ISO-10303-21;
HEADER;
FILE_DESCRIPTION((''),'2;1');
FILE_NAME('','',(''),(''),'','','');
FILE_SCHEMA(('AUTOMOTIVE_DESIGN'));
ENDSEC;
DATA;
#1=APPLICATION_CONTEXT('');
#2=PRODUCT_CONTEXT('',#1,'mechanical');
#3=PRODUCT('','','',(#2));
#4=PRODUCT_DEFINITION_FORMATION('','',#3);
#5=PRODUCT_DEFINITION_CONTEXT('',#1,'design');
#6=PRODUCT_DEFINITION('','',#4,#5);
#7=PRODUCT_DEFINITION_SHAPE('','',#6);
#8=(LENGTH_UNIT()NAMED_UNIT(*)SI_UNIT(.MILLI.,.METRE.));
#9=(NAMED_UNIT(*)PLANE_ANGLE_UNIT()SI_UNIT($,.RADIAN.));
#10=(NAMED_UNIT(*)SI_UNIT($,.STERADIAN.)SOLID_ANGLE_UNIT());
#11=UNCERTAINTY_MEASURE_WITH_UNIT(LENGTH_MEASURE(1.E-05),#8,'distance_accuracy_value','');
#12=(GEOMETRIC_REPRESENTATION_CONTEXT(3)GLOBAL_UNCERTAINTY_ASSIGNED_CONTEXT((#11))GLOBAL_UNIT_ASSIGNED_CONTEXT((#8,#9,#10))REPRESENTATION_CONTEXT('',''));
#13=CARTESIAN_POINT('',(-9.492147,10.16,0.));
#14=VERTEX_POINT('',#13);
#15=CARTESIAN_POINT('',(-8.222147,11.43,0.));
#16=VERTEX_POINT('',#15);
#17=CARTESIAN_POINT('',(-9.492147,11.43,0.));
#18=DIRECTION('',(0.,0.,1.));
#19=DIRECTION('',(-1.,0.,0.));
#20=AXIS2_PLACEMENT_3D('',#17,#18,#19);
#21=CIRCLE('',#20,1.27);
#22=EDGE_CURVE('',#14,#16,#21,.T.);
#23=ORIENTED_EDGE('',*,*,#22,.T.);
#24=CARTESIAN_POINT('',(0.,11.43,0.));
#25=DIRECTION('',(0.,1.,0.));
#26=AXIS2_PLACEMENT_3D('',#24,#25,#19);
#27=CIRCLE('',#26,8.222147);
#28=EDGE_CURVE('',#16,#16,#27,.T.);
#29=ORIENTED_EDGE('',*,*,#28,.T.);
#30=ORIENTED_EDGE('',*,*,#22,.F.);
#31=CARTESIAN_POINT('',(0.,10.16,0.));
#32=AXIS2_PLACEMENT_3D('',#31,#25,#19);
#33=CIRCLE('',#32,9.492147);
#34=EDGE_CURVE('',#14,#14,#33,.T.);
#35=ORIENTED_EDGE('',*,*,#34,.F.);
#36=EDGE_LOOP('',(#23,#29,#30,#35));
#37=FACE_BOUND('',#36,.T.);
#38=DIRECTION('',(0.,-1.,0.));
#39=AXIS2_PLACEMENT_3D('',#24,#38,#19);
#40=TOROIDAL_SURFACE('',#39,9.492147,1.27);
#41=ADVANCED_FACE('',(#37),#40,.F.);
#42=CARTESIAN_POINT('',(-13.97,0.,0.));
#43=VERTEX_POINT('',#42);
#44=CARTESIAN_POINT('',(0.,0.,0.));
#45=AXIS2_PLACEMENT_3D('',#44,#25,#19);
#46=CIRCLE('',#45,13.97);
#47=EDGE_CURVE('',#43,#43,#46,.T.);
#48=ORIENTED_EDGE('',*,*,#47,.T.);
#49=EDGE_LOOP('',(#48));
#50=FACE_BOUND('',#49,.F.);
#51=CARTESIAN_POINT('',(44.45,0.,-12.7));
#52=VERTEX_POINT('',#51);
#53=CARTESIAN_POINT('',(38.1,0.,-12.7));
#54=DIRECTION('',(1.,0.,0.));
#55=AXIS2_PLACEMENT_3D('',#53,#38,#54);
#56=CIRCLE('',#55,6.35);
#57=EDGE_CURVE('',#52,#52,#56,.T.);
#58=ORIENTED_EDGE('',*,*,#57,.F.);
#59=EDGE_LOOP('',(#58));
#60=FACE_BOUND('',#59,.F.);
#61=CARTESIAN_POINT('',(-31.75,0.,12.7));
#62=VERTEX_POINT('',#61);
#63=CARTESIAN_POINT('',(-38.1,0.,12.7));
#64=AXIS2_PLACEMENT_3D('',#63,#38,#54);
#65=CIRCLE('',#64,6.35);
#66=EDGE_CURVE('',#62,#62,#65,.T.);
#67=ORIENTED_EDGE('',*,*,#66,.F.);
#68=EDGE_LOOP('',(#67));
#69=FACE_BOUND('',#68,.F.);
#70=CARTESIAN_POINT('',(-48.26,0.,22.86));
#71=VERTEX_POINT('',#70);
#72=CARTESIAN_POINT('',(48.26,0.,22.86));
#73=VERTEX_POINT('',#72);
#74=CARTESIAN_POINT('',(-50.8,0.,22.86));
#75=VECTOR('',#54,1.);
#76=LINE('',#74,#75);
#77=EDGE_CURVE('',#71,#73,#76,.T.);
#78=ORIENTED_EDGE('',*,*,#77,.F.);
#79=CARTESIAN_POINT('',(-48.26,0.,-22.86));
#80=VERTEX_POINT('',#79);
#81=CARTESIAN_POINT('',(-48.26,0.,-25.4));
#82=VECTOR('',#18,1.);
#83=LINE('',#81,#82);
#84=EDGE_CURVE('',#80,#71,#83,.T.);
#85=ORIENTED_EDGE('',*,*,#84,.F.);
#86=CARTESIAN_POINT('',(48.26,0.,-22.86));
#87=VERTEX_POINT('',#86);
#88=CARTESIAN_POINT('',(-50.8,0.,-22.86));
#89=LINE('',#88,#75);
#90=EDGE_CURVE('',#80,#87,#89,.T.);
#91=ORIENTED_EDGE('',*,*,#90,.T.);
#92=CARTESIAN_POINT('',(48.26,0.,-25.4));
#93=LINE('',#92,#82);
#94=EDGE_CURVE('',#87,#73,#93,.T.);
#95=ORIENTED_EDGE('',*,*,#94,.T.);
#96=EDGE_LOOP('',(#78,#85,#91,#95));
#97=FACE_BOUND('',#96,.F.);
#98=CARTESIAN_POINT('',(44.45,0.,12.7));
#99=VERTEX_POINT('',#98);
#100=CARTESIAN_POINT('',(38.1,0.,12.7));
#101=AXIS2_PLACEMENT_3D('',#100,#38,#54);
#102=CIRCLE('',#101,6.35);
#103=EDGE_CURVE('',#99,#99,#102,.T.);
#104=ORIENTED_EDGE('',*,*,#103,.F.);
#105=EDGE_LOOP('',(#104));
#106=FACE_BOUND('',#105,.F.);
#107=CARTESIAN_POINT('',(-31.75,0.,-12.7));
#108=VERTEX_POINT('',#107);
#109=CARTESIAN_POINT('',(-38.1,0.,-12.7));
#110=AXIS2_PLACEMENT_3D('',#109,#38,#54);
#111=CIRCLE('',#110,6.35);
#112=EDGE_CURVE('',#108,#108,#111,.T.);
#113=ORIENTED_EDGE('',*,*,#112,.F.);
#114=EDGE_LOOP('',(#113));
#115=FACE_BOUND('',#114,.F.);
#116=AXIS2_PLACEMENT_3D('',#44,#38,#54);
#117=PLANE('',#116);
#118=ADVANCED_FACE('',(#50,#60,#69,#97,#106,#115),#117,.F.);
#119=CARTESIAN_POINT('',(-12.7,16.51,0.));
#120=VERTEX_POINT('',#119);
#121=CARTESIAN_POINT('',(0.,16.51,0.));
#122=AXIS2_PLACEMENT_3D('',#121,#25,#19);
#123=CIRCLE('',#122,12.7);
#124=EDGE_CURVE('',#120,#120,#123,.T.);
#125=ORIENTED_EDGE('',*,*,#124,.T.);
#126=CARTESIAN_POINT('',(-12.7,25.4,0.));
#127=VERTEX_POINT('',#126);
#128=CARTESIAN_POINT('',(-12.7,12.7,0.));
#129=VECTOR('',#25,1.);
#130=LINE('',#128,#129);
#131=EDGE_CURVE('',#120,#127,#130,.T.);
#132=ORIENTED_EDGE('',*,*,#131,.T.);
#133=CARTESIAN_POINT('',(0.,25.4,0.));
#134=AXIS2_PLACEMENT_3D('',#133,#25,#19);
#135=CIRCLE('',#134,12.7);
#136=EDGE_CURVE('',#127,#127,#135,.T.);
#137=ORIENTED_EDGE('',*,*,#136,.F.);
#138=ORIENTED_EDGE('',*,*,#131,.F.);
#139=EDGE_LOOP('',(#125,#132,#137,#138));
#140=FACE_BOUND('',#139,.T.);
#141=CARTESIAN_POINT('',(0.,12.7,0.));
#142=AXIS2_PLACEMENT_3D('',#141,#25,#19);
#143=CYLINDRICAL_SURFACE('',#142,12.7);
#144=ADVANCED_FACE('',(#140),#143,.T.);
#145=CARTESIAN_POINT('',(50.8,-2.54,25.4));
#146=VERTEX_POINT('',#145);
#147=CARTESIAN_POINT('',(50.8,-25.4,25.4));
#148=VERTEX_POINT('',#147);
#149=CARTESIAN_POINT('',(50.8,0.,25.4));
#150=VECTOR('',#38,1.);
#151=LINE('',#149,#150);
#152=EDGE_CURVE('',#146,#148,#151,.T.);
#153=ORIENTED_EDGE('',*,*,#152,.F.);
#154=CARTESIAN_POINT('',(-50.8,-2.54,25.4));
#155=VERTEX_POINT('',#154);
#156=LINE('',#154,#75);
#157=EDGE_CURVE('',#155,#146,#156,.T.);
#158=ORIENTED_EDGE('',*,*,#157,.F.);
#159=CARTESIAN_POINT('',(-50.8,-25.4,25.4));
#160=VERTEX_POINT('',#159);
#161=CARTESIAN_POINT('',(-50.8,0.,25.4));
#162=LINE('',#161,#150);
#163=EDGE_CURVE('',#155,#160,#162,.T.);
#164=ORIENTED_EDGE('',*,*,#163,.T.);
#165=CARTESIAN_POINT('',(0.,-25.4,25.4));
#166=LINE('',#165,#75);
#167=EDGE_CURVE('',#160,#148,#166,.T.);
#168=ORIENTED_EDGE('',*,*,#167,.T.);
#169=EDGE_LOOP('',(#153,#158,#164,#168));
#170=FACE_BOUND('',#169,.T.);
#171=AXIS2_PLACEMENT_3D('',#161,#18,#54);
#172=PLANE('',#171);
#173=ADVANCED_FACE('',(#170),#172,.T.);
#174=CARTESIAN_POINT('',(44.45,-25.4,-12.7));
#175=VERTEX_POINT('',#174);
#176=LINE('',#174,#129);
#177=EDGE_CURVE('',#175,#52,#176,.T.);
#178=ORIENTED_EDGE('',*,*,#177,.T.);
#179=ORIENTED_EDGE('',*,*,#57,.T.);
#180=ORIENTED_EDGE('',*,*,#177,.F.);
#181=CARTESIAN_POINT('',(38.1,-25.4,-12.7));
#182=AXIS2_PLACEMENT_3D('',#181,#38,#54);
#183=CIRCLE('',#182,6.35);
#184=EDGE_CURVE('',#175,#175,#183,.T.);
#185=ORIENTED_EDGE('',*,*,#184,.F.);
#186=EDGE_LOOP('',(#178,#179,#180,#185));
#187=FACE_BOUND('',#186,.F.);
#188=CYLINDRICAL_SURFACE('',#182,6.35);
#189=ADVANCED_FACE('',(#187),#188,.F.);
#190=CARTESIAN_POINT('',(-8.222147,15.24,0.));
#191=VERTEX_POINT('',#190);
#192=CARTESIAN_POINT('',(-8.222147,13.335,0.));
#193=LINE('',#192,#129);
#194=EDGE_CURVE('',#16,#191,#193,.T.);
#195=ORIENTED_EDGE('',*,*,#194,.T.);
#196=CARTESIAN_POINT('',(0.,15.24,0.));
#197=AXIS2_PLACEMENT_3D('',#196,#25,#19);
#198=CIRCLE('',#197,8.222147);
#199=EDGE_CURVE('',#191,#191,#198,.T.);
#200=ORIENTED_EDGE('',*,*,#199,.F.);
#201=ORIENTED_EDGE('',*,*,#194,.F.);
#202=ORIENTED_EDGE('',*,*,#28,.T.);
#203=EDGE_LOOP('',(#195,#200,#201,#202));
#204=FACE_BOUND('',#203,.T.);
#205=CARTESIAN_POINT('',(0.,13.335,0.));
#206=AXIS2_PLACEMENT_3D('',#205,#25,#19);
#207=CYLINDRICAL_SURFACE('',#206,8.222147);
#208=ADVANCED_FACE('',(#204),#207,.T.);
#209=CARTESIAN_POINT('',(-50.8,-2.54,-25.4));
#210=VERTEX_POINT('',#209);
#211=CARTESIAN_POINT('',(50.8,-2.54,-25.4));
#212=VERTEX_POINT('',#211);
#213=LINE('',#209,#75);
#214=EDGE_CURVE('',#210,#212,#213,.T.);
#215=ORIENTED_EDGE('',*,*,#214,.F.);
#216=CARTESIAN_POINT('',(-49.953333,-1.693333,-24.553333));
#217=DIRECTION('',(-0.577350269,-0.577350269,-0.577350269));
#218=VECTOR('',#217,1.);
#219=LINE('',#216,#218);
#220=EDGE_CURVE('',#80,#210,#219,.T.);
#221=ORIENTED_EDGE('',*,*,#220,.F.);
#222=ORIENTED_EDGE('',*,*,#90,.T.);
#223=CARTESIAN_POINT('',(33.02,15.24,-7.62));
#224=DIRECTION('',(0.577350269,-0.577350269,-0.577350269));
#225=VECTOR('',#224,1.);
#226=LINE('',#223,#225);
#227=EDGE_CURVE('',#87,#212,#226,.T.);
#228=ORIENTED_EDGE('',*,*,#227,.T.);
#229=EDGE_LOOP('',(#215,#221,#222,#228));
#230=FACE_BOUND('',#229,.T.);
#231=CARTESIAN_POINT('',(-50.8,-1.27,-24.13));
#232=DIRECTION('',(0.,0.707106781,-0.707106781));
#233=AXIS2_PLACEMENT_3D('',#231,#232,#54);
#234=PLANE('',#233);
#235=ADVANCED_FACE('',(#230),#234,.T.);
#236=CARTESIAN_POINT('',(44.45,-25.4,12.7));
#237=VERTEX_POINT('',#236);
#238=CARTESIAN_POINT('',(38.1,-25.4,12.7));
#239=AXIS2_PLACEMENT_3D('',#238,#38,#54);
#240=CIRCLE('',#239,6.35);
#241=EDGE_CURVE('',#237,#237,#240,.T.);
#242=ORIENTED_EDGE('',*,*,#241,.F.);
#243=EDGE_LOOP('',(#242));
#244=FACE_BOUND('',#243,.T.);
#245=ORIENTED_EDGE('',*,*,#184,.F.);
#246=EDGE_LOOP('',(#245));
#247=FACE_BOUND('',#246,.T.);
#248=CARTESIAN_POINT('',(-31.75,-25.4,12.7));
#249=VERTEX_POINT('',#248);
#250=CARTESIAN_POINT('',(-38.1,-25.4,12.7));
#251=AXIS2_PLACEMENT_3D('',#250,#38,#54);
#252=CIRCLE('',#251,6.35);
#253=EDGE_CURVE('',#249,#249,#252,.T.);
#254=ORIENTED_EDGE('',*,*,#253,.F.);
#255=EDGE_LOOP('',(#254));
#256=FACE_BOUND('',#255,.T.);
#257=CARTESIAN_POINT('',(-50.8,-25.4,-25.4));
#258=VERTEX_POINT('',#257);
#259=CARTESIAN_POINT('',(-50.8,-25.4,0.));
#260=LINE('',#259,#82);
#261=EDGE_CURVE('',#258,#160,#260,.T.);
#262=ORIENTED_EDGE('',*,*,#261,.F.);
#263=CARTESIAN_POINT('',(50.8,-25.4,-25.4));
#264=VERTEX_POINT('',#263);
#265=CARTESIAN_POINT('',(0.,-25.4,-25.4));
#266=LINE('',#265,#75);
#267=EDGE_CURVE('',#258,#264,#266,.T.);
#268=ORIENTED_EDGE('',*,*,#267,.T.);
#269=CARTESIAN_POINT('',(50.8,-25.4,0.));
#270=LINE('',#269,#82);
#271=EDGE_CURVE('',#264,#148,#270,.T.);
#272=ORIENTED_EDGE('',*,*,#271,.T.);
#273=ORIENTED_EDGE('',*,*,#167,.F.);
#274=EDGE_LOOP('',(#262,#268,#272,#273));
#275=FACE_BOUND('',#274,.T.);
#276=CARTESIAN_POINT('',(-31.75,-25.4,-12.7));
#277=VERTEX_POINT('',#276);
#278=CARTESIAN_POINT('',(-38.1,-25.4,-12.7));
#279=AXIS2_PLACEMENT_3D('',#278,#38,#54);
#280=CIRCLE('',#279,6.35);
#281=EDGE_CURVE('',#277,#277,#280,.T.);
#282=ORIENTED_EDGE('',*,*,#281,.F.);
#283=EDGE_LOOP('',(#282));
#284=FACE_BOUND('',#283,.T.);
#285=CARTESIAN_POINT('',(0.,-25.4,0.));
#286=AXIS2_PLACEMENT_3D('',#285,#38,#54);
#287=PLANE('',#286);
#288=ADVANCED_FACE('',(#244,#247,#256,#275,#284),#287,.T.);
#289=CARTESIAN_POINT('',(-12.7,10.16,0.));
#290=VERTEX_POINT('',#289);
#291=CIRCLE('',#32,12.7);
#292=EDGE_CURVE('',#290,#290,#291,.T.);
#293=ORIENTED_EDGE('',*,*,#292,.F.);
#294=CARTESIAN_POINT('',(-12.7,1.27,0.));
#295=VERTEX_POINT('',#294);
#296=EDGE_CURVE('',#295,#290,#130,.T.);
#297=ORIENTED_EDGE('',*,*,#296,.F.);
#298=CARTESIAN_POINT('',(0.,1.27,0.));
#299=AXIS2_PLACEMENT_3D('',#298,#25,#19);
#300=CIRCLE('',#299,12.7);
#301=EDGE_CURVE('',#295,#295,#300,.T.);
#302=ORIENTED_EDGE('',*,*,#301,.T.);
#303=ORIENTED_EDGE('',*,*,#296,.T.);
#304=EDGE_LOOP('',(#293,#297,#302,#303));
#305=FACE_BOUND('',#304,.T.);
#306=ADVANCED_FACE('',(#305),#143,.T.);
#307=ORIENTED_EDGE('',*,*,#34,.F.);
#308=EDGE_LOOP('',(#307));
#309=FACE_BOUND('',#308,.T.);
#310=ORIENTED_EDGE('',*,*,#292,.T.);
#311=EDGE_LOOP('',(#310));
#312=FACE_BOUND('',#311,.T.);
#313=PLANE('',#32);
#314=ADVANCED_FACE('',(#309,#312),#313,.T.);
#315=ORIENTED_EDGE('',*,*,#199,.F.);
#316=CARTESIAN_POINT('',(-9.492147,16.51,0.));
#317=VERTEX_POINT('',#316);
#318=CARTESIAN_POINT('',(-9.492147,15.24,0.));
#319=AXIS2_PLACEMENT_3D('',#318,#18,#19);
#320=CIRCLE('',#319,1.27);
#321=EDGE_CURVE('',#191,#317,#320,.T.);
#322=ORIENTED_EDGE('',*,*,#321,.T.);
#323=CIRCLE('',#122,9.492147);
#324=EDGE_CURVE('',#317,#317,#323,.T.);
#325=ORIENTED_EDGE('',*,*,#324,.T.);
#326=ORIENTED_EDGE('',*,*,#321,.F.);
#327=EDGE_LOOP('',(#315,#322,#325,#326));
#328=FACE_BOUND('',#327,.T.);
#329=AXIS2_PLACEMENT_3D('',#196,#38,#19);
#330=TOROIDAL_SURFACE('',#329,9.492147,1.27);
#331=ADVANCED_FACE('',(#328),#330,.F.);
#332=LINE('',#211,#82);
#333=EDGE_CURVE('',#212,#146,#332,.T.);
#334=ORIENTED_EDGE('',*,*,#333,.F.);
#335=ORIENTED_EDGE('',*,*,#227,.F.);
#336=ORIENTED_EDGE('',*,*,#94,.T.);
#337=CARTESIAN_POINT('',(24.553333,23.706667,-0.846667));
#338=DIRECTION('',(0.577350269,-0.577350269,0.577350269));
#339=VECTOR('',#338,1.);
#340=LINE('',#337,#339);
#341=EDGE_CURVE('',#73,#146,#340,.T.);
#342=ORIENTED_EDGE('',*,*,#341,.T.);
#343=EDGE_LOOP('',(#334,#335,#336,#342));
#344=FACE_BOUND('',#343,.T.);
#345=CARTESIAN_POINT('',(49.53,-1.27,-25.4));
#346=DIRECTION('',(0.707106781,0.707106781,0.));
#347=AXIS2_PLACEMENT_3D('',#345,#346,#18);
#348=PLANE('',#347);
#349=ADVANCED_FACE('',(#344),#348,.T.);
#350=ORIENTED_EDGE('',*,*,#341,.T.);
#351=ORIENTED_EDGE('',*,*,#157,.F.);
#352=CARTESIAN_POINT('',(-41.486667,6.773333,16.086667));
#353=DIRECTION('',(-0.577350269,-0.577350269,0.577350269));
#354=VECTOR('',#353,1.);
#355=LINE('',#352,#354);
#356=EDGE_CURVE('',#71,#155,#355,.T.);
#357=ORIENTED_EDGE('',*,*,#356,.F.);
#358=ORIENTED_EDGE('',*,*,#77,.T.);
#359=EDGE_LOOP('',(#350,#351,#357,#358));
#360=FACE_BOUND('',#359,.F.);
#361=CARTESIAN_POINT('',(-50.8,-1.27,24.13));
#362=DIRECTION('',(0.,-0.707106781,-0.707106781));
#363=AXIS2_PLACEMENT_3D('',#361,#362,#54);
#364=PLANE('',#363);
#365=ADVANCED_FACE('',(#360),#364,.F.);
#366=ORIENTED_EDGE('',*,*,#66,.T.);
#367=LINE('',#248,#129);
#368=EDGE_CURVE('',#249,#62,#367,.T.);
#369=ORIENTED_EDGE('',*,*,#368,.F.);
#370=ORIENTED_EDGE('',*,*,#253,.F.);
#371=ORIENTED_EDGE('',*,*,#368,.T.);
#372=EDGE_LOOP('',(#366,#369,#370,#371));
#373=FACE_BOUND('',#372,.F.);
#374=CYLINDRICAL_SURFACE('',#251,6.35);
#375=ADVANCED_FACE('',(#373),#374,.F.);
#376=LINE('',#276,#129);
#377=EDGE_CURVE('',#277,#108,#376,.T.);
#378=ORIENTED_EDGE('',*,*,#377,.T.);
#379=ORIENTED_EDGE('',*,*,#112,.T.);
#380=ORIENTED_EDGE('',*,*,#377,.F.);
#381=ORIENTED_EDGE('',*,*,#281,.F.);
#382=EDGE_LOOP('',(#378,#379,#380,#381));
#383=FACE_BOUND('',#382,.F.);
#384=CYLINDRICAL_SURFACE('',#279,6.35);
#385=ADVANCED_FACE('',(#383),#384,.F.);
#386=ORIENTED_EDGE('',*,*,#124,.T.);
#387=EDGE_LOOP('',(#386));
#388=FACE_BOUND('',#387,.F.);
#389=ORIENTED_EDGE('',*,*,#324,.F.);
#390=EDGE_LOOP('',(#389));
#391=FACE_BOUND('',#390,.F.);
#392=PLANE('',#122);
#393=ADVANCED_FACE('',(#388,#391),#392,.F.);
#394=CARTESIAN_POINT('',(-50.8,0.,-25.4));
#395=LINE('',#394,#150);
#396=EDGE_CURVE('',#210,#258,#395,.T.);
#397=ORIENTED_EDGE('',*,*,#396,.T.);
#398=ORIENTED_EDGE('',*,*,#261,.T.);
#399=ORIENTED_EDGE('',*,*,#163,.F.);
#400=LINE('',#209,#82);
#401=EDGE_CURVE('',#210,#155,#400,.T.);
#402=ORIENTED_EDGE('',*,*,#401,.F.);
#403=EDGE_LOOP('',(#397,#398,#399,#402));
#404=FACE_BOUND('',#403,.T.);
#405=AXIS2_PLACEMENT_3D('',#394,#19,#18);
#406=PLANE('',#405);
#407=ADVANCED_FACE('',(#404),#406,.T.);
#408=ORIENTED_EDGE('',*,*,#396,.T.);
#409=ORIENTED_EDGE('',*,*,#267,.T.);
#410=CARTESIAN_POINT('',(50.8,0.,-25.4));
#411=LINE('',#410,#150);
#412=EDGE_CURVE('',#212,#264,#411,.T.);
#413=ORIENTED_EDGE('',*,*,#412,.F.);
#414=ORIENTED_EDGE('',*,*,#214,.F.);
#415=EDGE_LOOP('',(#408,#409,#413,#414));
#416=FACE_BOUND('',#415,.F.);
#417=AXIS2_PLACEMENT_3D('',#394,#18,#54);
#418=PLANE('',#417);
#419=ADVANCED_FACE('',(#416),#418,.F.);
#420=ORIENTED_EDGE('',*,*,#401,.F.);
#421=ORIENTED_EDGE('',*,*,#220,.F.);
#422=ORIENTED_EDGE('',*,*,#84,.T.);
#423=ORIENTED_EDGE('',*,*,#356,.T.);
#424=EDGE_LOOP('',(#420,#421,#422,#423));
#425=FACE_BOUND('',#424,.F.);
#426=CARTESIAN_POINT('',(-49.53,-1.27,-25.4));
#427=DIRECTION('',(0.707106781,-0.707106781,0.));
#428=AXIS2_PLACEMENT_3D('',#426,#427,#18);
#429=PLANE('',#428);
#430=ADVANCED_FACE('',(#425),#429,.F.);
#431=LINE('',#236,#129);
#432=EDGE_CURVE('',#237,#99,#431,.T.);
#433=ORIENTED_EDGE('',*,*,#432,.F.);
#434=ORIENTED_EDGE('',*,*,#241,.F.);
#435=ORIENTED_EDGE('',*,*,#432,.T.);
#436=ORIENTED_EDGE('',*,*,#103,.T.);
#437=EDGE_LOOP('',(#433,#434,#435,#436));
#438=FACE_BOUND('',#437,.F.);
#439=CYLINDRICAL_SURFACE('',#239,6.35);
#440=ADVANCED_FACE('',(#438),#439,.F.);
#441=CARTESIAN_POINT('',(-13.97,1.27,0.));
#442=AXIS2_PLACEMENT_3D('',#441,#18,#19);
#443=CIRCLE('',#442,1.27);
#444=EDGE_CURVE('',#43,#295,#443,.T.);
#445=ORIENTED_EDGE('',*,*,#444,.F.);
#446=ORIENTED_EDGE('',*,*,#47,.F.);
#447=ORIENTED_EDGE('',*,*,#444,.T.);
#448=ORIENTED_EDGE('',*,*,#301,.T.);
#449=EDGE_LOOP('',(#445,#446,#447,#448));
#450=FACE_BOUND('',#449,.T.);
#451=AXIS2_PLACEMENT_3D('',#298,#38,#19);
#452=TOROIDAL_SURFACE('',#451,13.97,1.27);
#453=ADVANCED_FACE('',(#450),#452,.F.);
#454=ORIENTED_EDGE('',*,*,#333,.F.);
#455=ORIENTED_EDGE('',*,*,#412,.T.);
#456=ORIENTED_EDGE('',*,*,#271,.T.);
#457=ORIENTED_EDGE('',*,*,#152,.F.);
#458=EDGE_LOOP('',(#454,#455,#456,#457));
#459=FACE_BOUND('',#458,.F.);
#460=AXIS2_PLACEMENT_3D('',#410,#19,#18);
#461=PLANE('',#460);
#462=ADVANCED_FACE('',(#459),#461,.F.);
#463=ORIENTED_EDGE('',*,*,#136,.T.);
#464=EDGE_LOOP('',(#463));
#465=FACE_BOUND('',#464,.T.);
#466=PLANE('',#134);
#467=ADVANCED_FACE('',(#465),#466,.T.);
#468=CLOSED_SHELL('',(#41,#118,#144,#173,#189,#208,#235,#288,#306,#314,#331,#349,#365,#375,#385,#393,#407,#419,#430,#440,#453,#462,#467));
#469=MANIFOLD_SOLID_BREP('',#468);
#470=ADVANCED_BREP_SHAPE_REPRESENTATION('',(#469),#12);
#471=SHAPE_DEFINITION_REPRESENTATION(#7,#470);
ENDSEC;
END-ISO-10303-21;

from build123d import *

# Parameters (mm, degrees)
F0_W     = 101.6
F0_H     = 50.8
F1_DEPTH = 25.4
F2_R     = 6.35
F3_DEPTH = 25.401
F4_W     = 12.7
F4_H     = 25.4
F6_W     = 10.16
F6_H     = 6.35
F8_R     = 1.27
F9_SIZE  = 2.54


with BuildPart() as f1:
    # F0 (on Front) → F1 (new body)
    with BuildSketch(Plane.XZ):
        Rectangle(F0_W, F0_H)
    extrude(amount=F1_DEPTH)

    # F2 (on face) → F3 (cut, through all)
    with BuildSketch(Plane.XZ.offset(25.4)):
        with Locations((-38.1, 12.7)):
            Circle(F2_R)
        with Locations((-38.1, -12.7)):
            Circle(F2_R)
        with Locations((38.1, -12.7)):
            Circle(F2_R)
        with Locations((38.1, 12.7)):
            Circle(F2_R)
    extrude(amount=-F3_DEPTH, mode=Mode.SUBTRACT)

    # F4 (on Top) → F5 (revolve)
    with BuildSketch(Plane.XY):
        with Locations((-6.35, 12.7)):
            Rectangle(F4_W, F4_H)
    revolve(axis=Axis((0, 12.7, 0), (0, 1, 0)))

    # F6 (on Top) → F7 (revolve, cut)
    with BuildSketch(Plane.XY):
        with Locations((-13.302147, 13.335)):
            Rectangle(F6_W, F6_H)
    revolve(axis=Axis((0, 12.941601, 0), (0, 1, 0)), mode=Mode.SUBTRACT)

    # F8
    f8_edges = [f1.edges().sort_by_distance(p)[0] for p in [
        (12.7, 0, 0),
        (8.222147, 10.16, 0),
        (8.222147, 16.51, 0),
    ]]
    fillet(f8_edges, radius=F8_R)

    # F9
    f9_edges = [f1.edges().sort_by_distance(p)[0] for p in [
        (0, 0, -25.4),
        (-50.8, 0, 0),
        (0, 0, 25.4),
        (50.8, 0, 0),
    ]]
    chamfer(f9_edges, length=F9_SIZE)


solid = f1.part
